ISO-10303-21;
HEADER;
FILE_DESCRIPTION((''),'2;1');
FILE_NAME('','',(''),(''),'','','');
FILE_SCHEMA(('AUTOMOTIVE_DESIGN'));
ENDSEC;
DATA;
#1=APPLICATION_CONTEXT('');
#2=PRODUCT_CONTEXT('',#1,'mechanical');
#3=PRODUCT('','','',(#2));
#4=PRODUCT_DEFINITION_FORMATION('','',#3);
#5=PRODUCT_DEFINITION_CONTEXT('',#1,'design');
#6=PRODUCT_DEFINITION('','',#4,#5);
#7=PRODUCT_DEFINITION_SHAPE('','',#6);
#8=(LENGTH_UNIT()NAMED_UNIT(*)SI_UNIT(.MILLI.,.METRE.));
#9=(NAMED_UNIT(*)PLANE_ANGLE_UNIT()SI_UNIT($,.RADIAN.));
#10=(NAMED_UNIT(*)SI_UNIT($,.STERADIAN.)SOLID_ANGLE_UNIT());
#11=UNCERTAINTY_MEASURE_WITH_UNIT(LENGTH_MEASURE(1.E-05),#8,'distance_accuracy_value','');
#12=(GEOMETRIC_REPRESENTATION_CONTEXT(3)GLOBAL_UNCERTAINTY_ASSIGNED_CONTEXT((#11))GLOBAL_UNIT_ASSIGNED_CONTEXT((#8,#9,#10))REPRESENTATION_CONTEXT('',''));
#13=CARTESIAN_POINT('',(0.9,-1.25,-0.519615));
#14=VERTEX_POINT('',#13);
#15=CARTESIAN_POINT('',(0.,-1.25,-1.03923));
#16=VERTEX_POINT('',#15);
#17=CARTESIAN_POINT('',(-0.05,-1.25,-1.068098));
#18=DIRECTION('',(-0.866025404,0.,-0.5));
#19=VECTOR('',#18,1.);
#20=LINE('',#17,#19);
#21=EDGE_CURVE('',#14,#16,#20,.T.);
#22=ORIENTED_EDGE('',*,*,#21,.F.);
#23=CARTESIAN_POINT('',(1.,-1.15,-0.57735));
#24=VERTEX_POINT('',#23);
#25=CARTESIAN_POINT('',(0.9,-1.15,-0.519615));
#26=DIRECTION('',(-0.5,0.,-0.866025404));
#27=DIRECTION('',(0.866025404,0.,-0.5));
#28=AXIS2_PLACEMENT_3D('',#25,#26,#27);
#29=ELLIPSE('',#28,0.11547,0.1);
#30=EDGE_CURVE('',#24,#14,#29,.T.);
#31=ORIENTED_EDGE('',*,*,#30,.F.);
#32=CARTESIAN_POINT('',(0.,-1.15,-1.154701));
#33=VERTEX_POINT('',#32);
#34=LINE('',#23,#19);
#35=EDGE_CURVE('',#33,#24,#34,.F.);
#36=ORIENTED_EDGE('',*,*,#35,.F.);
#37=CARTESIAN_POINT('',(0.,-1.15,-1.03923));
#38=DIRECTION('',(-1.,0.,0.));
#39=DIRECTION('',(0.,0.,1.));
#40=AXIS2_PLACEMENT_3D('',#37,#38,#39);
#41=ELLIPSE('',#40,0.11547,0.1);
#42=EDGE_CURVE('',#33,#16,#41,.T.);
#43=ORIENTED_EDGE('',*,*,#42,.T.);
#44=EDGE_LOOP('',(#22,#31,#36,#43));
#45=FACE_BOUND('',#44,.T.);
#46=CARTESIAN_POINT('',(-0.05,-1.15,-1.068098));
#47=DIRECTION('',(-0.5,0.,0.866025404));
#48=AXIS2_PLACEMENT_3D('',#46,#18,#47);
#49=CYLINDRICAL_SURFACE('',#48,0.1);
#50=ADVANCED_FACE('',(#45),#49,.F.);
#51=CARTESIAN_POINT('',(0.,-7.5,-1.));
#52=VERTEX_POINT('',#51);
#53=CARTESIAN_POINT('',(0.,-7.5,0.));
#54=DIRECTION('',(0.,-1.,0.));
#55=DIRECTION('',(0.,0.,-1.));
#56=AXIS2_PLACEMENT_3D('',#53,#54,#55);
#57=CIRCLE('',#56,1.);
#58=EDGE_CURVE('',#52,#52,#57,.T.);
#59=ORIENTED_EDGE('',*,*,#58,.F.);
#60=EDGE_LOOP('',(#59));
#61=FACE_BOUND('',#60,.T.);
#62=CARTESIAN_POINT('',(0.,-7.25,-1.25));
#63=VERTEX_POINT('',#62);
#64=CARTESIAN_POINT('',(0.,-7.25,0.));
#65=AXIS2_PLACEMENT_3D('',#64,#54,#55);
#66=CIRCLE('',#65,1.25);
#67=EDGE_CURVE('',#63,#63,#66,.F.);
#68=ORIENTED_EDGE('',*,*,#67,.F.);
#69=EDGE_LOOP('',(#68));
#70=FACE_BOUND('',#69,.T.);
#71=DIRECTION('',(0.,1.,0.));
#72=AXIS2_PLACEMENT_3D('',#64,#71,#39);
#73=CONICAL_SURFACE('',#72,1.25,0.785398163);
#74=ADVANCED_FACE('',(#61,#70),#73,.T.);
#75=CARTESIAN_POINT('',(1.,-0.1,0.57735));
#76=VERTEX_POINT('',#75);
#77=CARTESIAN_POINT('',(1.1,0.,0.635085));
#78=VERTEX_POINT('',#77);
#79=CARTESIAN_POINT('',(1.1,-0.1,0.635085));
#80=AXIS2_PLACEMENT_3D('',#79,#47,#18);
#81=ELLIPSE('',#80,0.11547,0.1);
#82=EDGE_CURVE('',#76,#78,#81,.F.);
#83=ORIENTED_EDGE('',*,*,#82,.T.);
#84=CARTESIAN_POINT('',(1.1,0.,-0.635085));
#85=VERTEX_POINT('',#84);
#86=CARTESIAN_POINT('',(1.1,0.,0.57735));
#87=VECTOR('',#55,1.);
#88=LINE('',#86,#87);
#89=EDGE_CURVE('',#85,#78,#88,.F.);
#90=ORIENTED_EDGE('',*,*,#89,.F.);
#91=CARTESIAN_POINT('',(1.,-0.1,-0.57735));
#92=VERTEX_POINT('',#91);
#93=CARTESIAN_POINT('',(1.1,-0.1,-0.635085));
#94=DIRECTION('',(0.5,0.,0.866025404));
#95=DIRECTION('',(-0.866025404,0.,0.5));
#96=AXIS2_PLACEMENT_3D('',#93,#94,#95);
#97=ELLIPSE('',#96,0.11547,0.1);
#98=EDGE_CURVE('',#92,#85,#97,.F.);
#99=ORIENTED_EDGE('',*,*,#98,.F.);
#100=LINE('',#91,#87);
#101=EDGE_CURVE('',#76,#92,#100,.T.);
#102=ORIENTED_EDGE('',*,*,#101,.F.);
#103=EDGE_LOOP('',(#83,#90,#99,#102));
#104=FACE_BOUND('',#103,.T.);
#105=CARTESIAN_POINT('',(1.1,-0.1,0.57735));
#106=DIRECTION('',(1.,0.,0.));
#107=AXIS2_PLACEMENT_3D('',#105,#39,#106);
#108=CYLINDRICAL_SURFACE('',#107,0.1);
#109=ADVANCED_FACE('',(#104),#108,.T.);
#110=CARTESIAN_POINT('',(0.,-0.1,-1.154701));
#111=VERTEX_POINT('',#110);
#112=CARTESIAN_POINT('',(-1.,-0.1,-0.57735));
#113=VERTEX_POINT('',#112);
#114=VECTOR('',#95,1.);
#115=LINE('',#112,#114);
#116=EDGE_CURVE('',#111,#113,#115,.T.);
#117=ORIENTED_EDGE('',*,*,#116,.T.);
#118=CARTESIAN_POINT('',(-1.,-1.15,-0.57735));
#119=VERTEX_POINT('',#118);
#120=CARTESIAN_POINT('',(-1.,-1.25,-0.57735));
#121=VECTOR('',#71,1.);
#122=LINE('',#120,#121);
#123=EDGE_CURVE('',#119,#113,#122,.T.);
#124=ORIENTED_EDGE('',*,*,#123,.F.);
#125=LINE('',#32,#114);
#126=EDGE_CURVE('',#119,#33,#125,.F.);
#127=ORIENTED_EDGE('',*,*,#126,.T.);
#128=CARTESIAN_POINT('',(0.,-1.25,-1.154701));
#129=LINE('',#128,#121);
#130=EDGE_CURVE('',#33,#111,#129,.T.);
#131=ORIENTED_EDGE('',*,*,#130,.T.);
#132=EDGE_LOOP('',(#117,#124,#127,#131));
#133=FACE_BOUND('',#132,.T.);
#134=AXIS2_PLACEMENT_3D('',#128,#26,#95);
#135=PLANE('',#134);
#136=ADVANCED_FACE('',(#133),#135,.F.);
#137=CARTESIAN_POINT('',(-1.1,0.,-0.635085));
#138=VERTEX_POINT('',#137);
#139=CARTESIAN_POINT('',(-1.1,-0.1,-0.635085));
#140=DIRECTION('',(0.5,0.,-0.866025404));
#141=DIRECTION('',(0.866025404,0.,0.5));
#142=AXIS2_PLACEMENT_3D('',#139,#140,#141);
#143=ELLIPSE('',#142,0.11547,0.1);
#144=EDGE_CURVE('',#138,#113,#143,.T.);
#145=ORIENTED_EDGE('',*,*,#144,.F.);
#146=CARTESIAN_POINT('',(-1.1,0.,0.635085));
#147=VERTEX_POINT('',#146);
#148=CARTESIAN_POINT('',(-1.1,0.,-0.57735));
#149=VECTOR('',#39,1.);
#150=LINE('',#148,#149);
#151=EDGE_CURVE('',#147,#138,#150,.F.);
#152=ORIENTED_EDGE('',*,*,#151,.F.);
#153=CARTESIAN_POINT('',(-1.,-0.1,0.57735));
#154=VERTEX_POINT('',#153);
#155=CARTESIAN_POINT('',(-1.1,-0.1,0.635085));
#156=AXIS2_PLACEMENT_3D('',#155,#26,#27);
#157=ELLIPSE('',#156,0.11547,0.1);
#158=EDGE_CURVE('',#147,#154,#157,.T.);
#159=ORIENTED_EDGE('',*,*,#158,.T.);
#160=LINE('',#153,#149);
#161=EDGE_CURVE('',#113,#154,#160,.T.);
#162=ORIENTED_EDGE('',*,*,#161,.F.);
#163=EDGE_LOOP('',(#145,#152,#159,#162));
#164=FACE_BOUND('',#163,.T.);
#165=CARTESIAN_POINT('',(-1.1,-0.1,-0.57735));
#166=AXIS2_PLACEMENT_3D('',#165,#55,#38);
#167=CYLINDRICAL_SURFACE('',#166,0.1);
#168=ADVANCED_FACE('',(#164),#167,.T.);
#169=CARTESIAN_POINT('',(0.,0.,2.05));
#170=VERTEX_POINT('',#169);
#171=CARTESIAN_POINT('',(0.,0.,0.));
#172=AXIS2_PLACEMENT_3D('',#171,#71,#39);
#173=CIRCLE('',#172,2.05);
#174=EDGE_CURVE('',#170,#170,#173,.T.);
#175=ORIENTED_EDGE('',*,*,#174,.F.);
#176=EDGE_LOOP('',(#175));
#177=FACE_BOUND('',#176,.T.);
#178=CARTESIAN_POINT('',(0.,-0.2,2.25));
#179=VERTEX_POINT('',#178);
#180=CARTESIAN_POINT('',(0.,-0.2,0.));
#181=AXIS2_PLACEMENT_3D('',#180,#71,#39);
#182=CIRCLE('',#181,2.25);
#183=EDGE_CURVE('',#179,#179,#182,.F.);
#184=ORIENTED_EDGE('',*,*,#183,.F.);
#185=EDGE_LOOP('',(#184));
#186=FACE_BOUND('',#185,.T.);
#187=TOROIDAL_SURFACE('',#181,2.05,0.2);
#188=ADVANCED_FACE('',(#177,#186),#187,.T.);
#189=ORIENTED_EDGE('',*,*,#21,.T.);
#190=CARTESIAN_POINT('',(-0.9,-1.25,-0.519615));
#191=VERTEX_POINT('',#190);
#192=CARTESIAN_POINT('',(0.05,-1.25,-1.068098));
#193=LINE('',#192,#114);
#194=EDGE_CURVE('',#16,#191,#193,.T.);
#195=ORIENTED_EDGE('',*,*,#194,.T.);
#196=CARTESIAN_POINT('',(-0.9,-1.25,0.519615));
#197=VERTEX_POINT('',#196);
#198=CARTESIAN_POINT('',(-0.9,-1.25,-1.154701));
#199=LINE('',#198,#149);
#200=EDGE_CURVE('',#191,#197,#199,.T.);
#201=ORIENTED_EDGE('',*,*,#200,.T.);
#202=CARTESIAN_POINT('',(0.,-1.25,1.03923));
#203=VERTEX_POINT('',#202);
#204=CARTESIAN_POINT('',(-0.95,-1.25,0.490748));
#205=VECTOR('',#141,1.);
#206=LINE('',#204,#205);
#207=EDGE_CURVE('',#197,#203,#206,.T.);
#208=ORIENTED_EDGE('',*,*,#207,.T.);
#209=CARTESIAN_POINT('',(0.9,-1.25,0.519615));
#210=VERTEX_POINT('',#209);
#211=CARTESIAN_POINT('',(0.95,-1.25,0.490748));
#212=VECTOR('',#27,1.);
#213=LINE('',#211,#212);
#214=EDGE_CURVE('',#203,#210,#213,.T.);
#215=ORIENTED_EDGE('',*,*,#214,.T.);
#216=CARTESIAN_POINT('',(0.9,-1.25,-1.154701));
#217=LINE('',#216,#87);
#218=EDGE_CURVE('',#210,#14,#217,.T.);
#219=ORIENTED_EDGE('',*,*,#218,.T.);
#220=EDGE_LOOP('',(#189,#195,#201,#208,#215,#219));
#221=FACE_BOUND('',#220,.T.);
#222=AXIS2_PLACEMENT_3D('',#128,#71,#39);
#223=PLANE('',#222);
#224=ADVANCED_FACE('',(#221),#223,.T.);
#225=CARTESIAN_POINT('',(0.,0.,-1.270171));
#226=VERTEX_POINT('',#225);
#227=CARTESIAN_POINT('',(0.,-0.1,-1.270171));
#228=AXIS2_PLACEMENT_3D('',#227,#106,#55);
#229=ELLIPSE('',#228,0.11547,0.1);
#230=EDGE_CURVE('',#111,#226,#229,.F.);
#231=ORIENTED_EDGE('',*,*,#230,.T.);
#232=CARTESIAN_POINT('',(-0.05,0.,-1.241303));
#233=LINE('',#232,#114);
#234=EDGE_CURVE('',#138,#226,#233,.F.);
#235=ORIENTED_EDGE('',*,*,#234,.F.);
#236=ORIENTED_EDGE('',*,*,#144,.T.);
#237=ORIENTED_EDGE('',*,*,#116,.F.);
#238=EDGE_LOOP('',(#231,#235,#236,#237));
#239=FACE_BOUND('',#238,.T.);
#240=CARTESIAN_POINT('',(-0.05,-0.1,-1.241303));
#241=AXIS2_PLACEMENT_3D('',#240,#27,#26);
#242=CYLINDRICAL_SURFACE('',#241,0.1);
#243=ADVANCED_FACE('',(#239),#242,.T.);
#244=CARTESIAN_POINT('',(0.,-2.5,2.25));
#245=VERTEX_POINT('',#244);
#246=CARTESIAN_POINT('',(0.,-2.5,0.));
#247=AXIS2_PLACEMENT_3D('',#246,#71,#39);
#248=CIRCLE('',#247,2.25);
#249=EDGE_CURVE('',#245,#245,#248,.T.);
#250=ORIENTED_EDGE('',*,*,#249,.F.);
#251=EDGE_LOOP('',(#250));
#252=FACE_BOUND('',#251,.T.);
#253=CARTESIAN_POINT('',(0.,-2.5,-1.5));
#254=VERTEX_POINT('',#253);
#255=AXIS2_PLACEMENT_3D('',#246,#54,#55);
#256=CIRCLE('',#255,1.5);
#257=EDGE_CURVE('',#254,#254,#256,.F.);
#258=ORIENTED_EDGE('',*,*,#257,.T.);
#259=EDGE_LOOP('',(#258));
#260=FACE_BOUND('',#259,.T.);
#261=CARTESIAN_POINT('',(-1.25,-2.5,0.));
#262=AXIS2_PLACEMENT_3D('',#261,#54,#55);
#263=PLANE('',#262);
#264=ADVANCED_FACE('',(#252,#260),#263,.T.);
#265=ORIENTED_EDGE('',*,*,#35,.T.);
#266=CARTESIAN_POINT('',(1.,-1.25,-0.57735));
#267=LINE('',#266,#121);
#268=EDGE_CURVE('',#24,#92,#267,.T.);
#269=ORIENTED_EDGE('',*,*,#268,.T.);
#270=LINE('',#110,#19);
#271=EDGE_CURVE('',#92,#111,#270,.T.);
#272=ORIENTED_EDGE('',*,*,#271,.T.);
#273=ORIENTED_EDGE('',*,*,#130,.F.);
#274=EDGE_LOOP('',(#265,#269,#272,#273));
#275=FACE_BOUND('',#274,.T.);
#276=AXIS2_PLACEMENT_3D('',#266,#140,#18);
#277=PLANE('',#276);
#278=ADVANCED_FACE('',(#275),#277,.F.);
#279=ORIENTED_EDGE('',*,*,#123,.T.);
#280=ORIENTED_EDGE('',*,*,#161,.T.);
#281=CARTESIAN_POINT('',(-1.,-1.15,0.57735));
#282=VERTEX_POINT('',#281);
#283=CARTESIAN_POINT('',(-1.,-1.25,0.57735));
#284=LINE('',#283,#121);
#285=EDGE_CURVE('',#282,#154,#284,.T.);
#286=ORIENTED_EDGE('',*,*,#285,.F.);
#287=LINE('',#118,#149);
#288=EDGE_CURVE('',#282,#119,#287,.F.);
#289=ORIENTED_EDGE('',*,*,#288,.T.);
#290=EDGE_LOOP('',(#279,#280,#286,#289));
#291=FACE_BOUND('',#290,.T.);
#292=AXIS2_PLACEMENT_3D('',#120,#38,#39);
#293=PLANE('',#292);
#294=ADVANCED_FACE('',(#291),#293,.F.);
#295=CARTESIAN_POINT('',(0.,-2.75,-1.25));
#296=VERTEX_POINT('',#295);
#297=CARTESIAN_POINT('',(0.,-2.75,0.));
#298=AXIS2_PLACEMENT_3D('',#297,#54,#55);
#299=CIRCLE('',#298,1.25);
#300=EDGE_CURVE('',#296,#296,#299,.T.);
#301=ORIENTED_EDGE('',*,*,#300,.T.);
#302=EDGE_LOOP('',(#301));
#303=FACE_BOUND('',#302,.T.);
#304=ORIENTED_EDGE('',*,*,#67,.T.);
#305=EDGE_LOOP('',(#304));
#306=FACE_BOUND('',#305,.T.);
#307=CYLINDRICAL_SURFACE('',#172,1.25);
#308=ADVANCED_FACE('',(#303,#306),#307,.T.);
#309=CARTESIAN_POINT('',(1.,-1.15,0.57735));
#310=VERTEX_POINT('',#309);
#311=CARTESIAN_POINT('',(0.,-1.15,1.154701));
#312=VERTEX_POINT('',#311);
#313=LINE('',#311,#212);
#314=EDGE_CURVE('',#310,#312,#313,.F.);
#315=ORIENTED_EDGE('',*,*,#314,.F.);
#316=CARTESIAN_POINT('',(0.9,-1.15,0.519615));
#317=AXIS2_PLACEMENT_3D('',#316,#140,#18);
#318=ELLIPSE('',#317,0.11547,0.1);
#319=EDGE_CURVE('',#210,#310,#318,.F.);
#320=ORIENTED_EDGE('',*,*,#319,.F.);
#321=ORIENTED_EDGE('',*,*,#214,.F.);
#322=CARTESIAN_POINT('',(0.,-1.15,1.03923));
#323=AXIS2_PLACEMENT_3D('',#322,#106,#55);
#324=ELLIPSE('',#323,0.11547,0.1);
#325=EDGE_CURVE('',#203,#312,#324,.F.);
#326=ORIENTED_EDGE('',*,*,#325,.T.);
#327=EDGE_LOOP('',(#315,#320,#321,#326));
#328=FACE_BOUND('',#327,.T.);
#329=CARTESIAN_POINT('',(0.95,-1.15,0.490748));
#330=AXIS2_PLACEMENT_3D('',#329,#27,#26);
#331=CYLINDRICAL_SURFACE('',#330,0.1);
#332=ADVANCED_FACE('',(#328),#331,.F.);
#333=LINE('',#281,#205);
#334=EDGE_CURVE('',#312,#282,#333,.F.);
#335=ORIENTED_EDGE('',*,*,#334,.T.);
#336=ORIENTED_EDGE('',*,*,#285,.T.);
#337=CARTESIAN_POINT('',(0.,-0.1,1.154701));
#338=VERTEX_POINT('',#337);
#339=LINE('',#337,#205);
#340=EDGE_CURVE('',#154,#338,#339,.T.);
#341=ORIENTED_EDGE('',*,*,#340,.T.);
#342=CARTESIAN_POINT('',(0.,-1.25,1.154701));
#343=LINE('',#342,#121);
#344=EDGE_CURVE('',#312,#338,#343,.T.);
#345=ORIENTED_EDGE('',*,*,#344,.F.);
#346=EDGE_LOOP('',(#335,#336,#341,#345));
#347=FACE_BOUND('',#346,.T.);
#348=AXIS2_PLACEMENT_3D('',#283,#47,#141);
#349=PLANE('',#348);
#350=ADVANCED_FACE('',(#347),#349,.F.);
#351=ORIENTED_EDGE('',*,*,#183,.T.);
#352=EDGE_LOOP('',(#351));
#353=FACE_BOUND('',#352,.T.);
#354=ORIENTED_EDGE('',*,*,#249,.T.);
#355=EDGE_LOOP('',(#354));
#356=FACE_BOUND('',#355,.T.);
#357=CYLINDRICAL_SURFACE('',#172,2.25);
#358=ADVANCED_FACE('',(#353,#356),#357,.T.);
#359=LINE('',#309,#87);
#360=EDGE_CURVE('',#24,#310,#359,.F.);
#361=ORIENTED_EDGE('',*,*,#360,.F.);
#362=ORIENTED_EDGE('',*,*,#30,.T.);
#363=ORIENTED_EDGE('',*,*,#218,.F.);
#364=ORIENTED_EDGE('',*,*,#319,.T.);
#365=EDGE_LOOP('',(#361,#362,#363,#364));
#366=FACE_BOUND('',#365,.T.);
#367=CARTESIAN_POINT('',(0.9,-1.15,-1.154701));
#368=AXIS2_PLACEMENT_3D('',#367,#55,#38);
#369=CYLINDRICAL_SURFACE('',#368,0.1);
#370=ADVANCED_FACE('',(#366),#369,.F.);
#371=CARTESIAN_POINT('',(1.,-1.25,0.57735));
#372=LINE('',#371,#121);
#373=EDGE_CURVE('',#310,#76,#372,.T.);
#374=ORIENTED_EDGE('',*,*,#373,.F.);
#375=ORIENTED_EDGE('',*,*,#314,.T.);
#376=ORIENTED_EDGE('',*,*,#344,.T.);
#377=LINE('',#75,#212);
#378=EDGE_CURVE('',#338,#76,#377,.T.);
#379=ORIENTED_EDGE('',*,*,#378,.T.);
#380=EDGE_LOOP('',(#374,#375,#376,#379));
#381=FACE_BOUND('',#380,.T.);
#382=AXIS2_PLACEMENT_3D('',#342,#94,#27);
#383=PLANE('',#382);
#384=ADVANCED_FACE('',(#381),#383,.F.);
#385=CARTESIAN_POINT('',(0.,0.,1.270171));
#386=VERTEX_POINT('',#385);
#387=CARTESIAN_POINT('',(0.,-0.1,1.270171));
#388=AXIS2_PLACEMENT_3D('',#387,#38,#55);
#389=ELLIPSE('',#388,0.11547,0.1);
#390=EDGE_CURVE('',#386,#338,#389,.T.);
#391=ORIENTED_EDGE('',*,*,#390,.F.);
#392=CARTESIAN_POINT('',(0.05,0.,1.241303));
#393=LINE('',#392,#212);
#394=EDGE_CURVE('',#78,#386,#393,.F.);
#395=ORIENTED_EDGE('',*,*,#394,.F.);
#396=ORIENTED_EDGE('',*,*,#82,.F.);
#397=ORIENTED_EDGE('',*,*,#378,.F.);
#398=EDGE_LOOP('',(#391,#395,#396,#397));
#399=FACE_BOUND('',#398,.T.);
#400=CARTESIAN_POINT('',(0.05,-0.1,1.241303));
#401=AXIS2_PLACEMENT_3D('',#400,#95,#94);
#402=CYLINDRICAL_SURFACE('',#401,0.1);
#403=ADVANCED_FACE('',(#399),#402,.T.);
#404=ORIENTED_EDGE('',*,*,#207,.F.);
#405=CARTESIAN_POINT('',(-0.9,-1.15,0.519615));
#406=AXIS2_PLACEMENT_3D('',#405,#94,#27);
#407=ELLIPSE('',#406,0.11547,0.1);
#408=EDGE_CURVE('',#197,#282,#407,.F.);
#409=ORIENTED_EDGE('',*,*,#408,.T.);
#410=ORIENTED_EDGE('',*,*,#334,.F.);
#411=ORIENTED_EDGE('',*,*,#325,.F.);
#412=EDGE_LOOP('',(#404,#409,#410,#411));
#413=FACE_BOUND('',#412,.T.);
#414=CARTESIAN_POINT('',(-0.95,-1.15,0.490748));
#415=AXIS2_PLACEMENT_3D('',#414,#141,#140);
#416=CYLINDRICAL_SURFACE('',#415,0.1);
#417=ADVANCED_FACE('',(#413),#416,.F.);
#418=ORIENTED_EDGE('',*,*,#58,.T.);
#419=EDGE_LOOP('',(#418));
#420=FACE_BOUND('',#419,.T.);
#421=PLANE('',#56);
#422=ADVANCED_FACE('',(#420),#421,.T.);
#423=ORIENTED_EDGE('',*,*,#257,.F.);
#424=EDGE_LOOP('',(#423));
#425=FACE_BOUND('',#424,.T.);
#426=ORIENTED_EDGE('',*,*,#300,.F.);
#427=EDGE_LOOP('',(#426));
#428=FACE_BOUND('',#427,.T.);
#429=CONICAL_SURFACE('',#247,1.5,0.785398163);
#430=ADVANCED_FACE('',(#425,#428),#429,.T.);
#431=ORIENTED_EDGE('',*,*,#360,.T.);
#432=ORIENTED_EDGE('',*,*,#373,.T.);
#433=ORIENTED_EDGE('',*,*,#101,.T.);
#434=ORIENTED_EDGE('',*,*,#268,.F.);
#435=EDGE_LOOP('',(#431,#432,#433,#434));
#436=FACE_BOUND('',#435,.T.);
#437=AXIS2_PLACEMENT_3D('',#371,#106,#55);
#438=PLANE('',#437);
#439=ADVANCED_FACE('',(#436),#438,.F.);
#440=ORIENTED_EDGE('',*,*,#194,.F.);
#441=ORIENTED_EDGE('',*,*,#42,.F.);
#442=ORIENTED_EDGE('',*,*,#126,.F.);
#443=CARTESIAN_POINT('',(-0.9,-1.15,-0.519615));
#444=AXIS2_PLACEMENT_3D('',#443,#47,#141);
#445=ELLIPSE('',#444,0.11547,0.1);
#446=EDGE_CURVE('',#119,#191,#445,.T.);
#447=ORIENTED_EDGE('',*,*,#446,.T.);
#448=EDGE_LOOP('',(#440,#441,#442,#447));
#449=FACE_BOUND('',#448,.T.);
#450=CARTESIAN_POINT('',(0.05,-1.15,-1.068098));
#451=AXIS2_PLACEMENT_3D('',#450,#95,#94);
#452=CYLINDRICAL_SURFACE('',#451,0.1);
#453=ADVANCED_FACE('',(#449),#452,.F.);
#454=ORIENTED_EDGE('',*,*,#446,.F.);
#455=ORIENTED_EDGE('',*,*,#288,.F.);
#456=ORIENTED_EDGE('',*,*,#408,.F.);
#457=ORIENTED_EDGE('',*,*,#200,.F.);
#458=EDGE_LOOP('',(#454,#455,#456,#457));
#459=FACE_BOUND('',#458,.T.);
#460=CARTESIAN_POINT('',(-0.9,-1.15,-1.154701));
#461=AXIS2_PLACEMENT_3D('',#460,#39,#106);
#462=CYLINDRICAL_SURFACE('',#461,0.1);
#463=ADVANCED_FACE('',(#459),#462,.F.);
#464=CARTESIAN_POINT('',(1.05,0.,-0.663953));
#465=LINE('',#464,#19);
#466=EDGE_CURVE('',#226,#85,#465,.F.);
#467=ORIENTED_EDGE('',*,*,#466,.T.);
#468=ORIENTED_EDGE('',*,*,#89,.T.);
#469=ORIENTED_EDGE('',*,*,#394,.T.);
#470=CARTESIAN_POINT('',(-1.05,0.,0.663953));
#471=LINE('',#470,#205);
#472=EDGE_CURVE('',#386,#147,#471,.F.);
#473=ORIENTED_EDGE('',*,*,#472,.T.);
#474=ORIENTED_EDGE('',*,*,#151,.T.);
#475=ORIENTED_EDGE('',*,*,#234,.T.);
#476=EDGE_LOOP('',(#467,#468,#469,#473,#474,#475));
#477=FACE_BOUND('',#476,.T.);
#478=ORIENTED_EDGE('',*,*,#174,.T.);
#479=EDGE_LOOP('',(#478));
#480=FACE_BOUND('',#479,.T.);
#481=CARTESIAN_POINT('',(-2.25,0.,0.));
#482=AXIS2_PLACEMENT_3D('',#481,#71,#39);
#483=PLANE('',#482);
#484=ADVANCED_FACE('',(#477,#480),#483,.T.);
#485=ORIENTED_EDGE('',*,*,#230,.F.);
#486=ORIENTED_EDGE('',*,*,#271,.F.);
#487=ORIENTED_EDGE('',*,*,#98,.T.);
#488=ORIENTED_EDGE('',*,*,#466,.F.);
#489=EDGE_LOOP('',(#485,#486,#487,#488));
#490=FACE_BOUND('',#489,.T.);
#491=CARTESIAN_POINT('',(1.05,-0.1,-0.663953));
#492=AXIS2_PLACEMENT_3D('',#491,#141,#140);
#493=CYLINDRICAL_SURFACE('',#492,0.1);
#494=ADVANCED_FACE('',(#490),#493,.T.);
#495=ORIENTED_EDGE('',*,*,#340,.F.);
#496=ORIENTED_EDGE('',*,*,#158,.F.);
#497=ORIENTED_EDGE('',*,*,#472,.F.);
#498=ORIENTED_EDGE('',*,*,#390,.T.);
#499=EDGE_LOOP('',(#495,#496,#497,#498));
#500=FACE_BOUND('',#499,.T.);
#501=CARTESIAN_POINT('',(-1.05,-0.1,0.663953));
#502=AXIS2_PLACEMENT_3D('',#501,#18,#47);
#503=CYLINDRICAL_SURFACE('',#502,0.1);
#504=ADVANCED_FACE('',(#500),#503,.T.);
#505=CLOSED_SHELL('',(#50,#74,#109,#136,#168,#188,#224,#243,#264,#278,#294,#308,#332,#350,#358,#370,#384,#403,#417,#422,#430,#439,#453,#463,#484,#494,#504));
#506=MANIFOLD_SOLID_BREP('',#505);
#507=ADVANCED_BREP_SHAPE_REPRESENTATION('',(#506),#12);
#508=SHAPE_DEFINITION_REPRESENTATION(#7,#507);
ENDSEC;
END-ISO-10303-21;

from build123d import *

# Parameters (mm, degrees)
CHAMFER1_SIZE      = 0.25
FILLET1_R          = 0.2
CUT_EXTRUDE1_DEPTH = 1.25
FILLET2_R          = 0.1


with BuildPart() as part:
    # Sketch1 → Revolve1 (revolve)
    with BuildSketch(Plane.XY, mode=Mode.PRIVATE) as revolve1_sk:
        Polygon((0, -7.5), (-1.25, -7.5), (-1.25, -2.5), (-2.25, -2.5), (-2.25, 0), (0, 0), align=None)
    revolve(revolve1_sk.sketch.rotate(Axis((0, 0, 0), (0, -1, 0)), 270), axis=Axis((0, 0, 0), (0, -1, 0)))

    # Chamfer1
    chamfer1_edges = [part.edges().sort_by_distance(p)[0] for p in [
        (0, -2.5, -1.25),
        (0, -7.5, -1.25),
    ]]
    chamfer(chamfer1_edges, length=CHAMFER1_SIZE)

    # Fillet1
    fillet1_edges = [part.edges().sort_by_distance(p)[0] for p in [
        (0, 0, -2.25),
    ]]
    fillet(fillet1_edges, radius=FILLET1_R)

    # Sketch2 → Cut-Extrude1 (cut)
    with BuildSketch(Plane(origin=(0, 0, 0), x_dir=(1, 0, 0), z_dir=(0, 1, 0))):
        Polygon((0, 1.154700538), (-1, 0.577350269), (-1, -0.577350269), (0, -1.154700538), (1, -0.577350269), (1, 0.577350269), align=None)
    extrude(amount=-CUT_EXTRUDE1_DEPTH, mode=Mode.SUBTRACT)

    # Fillet2
    fillet2_edges = [part.edges().sort_by_distance(p)[0] for p in [
        (0.5, -1.25, -0.866025404),
        (1, -1.25, 0),
        (0.5, -1.25, 0.866025404),
        (-0.5, -1.25, 0.866025404),
        (-1, -1.25, 0),
        (-0.5, -1.25, -0.866025404),
        (0.4999999999999987, 0, -0.8660254037844397),
        (-0.5000000000000006, 0, -0.8660254037844395),
        (-1, 0, 0),
        (-0.5000000000000007, 0, 0.8660254037844379),
        (0.4999999999999988, 0, 0.8660254037844382),
        (1, 0, 0),
    ]]
    fillet(fillet2_edges, radius=FILLET2_R)


solid = part.part
